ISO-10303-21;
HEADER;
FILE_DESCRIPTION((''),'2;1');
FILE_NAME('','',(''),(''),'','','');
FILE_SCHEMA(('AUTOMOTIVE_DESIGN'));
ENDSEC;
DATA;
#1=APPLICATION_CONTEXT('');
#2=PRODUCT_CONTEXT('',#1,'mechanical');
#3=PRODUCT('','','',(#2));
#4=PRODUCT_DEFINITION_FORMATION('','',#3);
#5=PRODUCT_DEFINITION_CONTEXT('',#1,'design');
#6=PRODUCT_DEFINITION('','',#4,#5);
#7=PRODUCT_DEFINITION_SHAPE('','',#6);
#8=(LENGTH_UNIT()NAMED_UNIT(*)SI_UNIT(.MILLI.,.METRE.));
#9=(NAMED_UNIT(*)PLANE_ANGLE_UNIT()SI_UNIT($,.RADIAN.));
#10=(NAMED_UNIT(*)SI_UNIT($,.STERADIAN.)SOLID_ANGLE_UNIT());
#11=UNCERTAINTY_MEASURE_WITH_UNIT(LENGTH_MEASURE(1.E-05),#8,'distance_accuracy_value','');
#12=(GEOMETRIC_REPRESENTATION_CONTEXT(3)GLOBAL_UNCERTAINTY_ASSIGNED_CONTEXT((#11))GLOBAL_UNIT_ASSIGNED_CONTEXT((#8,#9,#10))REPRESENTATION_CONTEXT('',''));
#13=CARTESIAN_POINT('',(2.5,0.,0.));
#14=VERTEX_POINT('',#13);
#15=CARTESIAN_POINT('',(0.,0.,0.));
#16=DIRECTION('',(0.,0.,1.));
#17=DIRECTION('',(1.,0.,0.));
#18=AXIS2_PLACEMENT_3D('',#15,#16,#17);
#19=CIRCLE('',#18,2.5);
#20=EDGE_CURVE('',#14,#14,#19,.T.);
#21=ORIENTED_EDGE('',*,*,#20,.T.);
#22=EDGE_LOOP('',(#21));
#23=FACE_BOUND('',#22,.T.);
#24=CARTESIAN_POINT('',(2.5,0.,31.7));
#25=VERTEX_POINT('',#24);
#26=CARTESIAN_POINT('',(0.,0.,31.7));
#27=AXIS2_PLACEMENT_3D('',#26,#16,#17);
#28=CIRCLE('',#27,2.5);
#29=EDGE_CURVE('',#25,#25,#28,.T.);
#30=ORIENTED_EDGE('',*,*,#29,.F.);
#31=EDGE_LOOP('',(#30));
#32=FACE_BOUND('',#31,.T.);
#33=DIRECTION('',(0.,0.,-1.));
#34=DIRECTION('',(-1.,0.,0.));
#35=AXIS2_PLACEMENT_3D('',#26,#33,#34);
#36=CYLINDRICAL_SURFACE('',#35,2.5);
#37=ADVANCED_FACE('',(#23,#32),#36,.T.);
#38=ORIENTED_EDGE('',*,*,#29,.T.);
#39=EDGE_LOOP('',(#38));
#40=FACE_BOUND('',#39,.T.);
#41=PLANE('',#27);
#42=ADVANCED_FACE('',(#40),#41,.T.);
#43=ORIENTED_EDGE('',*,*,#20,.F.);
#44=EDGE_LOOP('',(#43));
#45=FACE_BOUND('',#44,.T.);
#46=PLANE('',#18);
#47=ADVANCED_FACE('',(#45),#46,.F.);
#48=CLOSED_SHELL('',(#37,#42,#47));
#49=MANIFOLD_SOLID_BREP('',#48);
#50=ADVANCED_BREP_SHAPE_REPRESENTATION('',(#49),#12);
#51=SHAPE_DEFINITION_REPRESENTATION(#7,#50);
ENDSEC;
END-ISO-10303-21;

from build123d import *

# Parameters (mm, degrees)
SKETCH1_R           = 2.5
BOSS_EXTRUDE1_DEPTH = 31.7


with BuildPart() as part:
    # Sketch1 → Boss-Extrude1 (new body)
    with BuildSketch(Plane.XY):
        Circle(SKETCH1_R)
    extrude(amount=BOSS_EXTRUDE1_DEPTH)


solid = part.part
